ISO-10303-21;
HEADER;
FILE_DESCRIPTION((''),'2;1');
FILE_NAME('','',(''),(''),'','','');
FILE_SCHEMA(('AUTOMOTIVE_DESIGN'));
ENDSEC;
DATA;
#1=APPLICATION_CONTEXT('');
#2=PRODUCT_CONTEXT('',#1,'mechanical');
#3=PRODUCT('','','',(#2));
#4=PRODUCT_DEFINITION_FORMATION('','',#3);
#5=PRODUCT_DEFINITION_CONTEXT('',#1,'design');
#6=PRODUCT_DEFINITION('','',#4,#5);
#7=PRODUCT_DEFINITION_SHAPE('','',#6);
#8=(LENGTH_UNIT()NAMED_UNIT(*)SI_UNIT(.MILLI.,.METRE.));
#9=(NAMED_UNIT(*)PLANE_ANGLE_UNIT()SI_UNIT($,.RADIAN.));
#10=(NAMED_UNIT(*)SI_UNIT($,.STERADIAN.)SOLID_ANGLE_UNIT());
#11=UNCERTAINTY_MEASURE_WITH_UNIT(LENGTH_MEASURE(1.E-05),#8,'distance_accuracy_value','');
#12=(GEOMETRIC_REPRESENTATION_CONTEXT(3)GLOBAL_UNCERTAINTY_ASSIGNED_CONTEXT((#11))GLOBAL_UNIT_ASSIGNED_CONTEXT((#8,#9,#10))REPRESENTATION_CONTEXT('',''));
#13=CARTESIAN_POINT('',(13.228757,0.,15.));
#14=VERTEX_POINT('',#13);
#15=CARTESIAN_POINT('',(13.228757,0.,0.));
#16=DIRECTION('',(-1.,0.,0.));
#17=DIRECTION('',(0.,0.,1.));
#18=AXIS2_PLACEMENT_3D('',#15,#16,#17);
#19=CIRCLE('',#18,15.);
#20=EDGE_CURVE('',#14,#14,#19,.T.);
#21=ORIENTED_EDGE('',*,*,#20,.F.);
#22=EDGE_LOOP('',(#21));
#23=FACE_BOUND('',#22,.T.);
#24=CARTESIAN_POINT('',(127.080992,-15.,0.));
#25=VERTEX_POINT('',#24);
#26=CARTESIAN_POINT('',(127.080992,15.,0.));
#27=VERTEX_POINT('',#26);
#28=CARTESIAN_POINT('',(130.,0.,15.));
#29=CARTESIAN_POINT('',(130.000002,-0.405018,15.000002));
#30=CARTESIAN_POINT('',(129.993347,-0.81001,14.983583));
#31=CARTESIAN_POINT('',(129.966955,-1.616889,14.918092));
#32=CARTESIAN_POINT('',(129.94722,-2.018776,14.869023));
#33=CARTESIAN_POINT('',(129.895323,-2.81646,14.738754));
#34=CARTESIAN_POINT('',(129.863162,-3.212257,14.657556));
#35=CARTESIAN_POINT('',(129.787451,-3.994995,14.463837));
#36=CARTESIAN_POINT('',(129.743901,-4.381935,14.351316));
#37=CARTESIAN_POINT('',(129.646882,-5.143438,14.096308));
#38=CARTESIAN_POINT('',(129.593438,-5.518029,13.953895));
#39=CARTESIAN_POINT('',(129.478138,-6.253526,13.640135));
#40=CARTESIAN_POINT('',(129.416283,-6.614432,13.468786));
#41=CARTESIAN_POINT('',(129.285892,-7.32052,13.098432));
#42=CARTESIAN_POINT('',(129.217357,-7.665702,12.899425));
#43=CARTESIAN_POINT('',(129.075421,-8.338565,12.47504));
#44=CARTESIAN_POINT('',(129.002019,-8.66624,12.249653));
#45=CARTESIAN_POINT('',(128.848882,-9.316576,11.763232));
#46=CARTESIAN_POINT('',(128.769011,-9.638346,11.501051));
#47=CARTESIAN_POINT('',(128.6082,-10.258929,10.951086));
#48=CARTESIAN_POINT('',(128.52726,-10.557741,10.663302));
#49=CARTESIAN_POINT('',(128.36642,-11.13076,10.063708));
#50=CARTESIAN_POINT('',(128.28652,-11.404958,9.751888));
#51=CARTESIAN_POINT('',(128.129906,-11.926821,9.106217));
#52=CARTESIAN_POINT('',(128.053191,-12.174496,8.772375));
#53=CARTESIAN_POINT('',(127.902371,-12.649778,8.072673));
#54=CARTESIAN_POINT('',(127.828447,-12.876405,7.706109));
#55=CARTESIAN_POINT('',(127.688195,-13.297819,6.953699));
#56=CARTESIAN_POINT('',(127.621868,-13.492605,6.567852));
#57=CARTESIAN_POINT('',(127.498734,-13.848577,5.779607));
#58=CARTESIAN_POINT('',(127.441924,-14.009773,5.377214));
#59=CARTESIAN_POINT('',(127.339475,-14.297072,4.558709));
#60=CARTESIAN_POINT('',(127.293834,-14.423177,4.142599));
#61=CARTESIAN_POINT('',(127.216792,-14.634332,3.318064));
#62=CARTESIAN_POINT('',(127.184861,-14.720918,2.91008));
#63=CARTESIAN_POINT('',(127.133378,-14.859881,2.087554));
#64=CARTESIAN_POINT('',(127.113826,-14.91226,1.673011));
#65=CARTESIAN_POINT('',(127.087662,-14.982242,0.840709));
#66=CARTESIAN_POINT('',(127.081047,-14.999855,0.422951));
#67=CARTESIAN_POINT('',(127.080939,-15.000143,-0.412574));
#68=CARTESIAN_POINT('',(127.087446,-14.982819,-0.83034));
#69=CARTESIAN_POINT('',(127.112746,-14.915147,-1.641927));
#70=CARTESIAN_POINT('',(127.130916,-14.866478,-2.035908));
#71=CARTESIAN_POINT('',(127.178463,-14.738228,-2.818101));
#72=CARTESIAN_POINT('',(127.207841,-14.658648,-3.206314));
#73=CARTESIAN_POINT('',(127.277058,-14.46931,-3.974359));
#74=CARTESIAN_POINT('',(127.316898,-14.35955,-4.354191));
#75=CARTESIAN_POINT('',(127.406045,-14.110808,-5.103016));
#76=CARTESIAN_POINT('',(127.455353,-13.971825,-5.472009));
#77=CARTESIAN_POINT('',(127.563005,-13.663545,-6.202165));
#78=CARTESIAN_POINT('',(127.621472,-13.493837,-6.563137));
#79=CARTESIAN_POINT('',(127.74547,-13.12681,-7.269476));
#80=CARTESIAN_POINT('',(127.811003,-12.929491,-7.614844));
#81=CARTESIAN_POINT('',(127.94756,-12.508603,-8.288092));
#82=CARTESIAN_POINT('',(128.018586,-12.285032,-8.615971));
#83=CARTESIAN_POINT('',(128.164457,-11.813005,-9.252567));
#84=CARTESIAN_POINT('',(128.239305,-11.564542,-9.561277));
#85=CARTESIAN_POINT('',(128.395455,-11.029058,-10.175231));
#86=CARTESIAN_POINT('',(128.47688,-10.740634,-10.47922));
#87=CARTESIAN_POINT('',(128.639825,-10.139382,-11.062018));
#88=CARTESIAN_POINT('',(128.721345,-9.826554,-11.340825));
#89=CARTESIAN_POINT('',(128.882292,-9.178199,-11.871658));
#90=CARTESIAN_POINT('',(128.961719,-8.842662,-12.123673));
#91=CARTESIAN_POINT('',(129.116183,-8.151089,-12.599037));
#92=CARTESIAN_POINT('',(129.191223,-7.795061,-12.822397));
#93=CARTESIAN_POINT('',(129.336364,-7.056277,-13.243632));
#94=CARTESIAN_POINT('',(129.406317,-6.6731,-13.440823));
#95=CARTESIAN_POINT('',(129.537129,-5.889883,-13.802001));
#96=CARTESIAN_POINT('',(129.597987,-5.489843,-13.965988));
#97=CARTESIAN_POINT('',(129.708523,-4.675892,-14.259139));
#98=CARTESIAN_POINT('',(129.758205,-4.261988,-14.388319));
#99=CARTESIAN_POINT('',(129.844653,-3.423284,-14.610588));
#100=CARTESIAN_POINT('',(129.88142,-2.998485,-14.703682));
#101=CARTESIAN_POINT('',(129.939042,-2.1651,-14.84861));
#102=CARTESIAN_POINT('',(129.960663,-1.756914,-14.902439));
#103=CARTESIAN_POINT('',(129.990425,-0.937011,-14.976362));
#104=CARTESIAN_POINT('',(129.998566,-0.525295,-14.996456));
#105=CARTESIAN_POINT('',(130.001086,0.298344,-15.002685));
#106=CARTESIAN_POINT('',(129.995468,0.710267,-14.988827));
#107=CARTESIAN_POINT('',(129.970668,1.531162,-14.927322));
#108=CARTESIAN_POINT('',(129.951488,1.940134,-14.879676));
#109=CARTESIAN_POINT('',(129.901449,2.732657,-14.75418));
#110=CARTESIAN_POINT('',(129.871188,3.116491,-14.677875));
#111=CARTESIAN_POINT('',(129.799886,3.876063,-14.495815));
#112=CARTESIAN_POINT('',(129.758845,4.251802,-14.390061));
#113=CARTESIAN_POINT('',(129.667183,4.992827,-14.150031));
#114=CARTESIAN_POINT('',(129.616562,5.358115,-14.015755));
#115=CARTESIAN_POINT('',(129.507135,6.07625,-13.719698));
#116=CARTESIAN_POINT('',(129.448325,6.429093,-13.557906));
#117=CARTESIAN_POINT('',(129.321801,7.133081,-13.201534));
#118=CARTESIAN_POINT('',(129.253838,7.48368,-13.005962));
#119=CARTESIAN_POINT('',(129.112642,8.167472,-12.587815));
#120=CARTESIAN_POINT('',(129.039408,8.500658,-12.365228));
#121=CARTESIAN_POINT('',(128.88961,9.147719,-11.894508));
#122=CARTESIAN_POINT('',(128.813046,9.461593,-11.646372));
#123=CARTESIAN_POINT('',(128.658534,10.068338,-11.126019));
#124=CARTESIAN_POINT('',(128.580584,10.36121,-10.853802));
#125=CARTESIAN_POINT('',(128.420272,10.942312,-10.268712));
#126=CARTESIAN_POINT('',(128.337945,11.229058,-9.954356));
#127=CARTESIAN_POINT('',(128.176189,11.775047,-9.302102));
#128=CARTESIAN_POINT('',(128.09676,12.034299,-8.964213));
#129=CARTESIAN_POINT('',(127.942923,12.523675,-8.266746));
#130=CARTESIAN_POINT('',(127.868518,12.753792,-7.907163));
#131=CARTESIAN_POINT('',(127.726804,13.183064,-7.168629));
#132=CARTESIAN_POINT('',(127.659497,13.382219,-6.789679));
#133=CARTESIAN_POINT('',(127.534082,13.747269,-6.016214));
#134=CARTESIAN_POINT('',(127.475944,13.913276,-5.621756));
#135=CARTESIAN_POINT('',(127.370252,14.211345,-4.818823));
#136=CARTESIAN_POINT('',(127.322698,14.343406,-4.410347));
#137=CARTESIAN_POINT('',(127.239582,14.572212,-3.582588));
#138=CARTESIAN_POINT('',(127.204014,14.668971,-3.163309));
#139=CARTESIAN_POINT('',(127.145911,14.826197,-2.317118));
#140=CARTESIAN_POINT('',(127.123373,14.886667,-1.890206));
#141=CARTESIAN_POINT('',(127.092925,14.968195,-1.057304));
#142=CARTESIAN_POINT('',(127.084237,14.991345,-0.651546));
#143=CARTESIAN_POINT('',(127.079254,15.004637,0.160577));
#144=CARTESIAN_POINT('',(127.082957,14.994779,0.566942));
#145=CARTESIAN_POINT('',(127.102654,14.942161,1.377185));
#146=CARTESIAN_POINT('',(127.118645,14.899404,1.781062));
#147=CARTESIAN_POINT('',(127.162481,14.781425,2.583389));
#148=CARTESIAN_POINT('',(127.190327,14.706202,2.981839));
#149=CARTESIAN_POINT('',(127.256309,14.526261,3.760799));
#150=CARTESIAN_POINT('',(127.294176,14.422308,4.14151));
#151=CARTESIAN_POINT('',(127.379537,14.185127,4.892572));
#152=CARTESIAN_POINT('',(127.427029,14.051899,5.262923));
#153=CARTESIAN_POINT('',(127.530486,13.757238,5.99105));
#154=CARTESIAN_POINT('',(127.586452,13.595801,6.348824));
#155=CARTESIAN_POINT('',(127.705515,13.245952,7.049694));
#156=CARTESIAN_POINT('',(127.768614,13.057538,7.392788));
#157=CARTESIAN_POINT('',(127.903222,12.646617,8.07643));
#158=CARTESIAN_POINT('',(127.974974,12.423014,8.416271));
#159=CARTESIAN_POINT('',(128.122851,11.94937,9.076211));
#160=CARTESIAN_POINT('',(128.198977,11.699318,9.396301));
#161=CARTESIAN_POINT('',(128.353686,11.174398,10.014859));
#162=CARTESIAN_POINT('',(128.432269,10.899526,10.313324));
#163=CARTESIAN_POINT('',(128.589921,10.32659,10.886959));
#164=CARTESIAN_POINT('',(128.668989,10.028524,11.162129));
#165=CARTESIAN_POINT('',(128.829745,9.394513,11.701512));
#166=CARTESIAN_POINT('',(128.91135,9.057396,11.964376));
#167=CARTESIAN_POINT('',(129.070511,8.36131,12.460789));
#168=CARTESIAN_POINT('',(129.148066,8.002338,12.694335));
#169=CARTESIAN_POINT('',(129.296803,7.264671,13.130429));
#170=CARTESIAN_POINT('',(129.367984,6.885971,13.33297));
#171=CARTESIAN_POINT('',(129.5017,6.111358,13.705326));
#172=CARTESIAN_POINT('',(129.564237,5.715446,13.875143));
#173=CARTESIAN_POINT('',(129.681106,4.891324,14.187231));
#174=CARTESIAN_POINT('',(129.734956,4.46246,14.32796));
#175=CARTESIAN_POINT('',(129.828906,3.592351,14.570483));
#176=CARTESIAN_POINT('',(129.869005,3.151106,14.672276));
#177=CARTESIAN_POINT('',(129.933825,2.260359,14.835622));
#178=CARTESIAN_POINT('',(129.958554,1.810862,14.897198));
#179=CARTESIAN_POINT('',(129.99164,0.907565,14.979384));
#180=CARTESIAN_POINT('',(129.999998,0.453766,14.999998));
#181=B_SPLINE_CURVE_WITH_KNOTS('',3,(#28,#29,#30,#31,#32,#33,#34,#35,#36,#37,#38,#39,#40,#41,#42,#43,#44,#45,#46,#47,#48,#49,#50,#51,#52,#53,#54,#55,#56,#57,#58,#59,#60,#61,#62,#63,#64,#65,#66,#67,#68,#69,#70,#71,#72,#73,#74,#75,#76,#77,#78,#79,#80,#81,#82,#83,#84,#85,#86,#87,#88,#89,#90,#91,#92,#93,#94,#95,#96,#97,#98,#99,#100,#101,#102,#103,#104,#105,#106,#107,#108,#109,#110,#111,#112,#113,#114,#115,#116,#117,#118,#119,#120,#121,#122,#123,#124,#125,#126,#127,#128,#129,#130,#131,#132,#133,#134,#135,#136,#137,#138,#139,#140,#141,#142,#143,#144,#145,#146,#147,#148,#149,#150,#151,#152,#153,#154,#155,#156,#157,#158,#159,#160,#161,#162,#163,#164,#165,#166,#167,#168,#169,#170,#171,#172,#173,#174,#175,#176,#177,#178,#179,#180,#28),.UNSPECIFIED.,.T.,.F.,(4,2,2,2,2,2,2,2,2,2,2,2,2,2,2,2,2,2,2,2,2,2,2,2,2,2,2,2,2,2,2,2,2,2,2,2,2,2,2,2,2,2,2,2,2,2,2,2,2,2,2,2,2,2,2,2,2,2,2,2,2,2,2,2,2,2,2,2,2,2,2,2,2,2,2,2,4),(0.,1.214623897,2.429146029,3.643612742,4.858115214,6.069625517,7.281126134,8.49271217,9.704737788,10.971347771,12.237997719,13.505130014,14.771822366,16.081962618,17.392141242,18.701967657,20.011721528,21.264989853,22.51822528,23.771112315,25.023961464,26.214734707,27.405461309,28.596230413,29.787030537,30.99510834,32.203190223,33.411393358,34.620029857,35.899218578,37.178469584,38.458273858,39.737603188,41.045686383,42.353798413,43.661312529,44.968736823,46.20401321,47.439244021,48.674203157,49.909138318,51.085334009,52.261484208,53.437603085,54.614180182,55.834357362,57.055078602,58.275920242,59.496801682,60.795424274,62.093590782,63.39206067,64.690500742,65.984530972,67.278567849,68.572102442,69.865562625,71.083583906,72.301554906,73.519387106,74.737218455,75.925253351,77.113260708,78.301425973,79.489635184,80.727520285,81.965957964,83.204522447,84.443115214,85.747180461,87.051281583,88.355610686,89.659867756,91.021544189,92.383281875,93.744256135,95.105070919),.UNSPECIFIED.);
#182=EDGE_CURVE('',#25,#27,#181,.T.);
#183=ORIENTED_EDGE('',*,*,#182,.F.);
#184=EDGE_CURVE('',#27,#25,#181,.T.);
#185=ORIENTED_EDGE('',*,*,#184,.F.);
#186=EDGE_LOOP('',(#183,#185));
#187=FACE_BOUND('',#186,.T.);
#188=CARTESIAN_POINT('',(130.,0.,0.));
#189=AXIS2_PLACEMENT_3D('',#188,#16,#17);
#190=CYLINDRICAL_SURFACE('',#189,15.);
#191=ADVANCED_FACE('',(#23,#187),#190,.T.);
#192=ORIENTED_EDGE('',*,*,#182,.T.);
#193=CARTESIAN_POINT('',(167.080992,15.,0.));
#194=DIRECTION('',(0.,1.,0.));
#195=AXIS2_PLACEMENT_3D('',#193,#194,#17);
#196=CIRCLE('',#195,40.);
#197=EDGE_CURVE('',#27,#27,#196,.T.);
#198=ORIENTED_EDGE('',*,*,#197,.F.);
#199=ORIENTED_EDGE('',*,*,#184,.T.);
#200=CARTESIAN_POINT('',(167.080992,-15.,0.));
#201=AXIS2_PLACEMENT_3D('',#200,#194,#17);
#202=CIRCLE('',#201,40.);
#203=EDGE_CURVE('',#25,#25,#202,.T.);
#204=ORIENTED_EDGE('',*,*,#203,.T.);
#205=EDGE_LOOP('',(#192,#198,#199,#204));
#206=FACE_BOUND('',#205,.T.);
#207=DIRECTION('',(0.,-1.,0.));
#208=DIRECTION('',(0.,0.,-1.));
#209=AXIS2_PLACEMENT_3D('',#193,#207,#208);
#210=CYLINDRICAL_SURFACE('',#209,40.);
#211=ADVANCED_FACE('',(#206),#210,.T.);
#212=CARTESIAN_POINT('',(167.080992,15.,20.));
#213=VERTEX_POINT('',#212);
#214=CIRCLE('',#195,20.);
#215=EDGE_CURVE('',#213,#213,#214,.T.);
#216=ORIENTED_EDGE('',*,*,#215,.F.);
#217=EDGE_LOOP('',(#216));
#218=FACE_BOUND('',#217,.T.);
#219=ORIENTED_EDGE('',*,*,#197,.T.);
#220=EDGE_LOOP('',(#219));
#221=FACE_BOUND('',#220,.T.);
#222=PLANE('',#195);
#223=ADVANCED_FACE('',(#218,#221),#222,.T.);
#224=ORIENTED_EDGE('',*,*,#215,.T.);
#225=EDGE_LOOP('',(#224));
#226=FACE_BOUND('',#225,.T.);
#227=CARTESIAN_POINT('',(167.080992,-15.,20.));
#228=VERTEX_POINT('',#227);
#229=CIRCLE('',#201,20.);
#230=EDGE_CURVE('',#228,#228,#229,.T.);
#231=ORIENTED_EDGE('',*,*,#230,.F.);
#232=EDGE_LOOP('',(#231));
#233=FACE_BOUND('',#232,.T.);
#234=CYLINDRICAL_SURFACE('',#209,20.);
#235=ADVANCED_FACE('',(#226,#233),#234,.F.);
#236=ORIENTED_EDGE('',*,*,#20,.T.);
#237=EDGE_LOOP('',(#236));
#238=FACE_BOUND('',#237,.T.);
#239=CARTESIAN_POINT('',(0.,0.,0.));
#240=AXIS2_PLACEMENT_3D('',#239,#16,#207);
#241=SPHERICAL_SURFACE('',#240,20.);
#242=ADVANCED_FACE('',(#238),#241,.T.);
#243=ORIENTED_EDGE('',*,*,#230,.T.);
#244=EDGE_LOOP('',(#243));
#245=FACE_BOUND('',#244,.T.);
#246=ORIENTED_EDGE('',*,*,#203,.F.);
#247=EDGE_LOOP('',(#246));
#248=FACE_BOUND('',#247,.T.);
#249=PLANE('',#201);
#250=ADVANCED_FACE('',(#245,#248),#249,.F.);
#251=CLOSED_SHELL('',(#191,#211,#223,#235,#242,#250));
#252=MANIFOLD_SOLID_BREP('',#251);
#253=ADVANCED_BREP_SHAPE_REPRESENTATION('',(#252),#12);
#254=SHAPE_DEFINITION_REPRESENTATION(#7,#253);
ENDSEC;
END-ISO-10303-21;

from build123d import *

# Parameters (mm, degrees)
SKETCH1_R           = 15
BOSS_EXTRUDE1_DEPTH = 130
SKETCH7_R           = 40
SKETCH7_R_2         = 20
BOSS_EXTRUDE2_DEPTH = 15


with BuildPart() as part:
    # Sketch1 → Boss-Extrude1 (new body)
    with BuildSketch(Plane(origin=(0, 0, 0), x_dir=(0, 0, -1), z_dir=(1, 0, 0))):
        Circle(SKETCH1_R)
    extrude(amount=BOSS_EXTRUDE1_DEPTH)

    # Sketch4 → Revolve1 (revolve)
    with BuildSketch(Plane.XY):
        with BuildLine():
            Line((-20, 0), (20, 0))
            ThreePointArc((20, 0), (0, 20), (-20, 0))
        make_face()
    revolve(axis=Axis((0, 0, 0), (1, 0, 0)))

    # Sketch7 → Boss-Extrude2 (add, symmetric)
    with BuildSketch(Plane(origin=(0, 0, 0), x_dir=(1, 0, 0), z_dir=(0, 1, 0))):
        with Locations((167.080992435, 0)):
            Circle(SKETCH7_R)
        with Locations(Location((167.080992435, 0, 0), (0, 0, 270))):
            Circle(SKETCH7_R_2, mode=Mode.SUBTRACT)
    extrude(amount=BOSS_EXTRUDE2_DEPTH, both=True)


solid = part.part
